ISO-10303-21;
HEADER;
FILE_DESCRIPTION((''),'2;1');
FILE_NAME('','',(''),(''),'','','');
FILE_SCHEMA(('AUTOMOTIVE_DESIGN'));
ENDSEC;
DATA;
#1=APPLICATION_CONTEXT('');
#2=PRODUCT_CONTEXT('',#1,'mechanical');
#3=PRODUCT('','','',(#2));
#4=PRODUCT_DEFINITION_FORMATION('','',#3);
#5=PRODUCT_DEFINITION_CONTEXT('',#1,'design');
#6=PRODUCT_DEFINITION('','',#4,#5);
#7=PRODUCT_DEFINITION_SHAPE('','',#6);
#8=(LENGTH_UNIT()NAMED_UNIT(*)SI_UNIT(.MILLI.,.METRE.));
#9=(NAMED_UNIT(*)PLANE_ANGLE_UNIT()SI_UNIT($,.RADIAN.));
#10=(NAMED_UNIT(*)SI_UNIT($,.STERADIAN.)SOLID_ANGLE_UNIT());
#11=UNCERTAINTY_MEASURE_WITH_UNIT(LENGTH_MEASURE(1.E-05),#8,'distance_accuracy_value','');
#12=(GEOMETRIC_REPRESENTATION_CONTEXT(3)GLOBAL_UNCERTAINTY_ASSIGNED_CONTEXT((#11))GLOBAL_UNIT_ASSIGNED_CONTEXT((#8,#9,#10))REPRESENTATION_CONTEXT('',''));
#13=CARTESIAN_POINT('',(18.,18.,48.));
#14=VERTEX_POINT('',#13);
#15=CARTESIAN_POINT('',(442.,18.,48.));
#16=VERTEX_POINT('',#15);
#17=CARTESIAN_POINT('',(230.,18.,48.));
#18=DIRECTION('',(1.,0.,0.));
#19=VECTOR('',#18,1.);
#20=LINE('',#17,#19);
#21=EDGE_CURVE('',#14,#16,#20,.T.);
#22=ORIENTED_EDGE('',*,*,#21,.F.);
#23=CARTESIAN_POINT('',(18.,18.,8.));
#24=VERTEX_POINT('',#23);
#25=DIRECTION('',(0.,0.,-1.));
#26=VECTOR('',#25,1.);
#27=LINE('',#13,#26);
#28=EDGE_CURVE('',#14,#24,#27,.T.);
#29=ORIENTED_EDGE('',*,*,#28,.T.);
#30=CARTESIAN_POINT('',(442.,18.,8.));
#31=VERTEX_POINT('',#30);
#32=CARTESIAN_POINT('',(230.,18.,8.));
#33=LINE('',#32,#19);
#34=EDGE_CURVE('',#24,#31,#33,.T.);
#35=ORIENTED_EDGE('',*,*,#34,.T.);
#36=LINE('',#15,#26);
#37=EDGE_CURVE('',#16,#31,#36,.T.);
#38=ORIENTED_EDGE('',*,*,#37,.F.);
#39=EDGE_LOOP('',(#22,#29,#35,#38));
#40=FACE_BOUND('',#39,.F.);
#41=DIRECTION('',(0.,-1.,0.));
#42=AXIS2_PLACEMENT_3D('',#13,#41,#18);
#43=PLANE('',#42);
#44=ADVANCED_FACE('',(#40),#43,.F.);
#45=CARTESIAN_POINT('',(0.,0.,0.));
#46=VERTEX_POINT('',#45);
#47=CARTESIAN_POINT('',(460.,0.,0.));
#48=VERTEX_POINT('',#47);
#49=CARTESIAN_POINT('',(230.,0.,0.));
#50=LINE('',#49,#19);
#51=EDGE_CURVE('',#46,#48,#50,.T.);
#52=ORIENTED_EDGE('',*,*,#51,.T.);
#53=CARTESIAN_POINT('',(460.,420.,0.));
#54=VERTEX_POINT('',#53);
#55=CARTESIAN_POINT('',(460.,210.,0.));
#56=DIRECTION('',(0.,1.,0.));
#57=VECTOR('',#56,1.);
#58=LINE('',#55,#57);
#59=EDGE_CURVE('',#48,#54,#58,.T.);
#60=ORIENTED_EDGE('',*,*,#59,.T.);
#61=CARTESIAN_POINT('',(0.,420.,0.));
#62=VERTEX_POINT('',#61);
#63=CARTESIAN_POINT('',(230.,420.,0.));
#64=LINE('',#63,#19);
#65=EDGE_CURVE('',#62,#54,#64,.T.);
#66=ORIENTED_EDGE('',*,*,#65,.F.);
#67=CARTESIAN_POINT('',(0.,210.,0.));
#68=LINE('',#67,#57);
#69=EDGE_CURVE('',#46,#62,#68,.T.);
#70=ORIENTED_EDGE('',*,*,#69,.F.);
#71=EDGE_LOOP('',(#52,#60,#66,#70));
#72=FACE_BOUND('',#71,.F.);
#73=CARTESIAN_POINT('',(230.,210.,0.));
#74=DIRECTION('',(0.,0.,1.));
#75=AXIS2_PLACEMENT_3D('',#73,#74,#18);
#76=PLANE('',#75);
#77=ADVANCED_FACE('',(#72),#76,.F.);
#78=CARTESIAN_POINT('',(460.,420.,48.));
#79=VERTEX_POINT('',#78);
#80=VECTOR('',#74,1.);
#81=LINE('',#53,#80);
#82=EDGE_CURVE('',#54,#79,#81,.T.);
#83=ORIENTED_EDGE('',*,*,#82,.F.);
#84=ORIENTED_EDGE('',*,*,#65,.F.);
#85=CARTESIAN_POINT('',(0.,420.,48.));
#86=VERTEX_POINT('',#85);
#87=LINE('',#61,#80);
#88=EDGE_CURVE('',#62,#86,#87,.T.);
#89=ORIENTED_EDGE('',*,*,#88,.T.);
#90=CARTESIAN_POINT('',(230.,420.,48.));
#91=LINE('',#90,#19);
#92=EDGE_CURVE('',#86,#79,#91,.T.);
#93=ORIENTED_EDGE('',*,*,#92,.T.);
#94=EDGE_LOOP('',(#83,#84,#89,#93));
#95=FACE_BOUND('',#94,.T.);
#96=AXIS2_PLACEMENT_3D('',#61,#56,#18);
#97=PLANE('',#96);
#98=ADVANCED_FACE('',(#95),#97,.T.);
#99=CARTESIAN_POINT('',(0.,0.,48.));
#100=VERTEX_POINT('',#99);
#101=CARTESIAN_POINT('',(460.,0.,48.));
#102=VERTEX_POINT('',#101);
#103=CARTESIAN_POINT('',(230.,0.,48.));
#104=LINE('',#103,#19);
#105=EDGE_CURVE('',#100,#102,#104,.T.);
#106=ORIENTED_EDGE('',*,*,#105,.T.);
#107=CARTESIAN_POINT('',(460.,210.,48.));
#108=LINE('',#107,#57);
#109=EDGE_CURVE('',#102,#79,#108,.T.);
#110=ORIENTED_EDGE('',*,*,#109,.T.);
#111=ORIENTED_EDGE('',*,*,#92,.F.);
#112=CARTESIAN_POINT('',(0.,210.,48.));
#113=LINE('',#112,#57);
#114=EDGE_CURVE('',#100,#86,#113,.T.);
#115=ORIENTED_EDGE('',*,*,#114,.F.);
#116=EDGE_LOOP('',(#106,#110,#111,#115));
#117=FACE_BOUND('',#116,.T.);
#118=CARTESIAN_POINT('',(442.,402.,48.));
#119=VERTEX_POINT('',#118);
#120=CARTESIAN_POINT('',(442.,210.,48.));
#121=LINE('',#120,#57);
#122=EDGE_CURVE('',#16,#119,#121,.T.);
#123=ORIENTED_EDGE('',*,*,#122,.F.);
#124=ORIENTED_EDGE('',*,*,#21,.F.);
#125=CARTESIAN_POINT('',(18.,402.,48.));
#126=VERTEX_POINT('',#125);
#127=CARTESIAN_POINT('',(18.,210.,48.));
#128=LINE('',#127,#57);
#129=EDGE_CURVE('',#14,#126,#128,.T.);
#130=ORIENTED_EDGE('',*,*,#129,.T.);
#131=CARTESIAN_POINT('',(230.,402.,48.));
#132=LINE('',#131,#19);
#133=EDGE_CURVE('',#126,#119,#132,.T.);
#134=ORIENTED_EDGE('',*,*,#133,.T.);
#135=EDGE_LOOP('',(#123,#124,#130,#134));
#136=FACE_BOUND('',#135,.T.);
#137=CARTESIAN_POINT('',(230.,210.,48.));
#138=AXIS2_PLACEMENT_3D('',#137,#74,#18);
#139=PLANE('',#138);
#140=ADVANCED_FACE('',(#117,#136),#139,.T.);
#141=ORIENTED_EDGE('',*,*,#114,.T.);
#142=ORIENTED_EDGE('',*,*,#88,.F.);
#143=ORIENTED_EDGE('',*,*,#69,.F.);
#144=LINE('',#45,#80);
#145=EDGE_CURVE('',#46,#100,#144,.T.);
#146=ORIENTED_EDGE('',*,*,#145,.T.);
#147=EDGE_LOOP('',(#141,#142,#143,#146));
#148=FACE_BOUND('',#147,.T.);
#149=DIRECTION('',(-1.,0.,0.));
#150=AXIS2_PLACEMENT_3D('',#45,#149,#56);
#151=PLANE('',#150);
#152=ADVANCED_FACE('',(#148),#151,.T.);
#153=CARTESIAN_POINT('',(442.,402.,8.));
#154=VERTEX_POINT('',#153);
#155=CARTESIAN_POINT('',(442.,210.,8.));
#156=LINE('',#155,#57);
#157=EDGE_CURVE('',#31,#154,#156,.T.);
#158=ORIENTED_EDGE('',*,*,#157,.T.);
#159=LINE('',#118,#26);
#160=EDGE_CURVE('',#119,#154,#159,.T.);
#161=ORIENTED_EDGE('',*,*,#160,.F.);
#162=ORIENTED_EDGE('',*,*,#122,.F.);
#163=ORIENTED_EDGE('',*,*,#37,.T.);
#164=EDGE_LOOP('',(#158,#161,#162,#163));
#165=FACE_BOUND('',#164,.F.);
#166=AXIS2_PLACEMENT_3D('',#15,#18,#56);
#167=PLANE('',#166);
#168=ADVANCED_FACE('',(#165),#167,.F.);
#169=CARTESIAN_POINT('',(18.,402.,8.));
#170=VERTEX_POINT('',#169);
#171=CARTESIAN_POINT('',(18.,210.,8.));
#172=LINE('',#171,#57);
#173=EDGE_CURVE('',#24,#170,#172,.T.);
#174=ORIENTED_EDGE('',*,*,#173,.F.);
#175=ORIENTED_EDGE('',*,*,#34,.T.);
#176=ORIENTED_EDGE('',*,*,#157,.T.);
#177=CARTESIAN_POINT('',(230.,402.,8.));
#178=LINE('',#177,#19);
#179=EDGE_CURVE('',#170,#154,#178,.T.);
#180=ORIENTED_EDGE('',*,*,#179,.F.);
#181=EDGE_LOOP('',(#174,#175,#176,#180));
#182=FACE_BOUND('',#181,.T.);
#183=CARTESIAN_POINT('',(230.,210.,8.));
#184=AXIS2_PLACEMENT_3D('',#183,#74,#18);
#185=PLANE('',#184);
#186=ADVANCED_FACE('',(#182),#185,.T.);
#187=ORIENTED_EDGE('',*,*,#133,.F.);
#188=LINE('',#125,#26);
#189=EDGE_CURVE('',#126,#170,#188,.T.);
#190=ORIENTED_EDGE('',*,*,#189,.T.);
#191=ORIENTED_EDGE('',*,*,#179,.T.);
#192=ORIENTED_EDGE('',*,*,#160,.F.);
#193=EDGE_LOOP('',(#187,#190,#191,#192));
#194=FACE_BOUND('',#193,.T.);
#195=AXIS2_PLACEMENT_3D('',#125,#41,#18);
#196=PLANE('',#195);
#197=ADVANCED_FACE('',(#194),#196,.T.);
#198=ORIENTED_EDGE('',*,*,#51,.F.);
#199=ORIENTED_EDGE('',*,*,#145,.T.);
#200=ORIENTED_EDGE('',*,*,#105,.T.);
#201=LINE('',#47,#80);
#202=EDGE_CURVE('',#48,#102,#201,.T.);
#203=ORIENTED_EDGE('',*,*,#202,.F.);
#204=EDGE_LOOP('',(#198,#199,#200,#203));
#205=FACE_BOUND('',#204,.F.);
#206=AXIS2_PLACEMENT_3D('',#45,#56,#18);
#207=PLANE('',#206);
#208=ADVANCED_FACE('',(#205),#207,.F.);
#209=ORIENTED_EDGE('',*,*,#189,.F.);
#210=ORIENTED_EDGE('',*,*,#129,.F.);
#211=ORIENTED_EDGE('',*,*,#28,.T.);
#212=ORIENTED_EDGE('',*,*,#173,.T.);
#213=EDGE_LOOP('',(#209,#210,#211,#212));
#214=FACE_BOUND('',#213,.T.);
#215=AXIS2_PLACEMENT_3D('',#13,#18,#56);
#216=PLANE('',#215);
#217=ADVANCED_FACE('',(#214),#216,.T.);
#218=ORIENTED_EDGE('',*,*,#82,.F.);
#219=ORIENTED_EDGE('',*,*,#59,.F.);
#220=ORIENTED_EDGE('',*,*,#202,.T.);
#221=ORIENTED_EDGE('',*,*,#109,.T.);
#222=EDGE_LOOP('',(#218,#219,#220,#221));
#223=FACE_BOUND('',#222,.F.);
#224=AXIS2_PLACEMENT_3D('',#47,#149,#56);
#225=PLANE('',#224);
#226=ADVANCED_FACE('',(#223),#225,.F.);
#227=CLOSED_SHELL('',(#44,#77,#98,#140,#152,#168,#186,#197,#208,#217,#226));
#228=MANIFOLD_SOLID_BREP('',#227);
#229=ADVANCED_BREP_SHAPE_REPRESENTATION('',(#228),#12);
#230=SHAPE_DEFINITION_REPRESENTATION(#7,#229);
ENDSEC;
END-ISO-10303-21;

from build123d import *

# Parameters (mm, degrees)
SKETCH_W     = 460
SKETCH_H     = 420
PAD_DEPTH    = 48
SKETCH001_W  = 424
SKETCH001_H  = 384
POCKET_DEPTH = 40


with BuildPart() as part:
    # Sketch → Pad (new body)
    with BuildSketch(Plane.XY):
        with Locations((230, 210)):
            Rectangle(SKETCH_W, SKETCH_H)
    extrude(amount=PAD_DEPTH)

    # Sketch001 (on Face6 of Pad) → Pocket (cut)
    with BuildSketch(Plane.XY.offset(48)):
        with Locations((230, 210)):
            Rectangle(SKETCH001_W, SKETCH001_H)
    extrude(amount=-POCKET_DEPTH, mode=Mode.SUBTRACT)


solid = part.part
